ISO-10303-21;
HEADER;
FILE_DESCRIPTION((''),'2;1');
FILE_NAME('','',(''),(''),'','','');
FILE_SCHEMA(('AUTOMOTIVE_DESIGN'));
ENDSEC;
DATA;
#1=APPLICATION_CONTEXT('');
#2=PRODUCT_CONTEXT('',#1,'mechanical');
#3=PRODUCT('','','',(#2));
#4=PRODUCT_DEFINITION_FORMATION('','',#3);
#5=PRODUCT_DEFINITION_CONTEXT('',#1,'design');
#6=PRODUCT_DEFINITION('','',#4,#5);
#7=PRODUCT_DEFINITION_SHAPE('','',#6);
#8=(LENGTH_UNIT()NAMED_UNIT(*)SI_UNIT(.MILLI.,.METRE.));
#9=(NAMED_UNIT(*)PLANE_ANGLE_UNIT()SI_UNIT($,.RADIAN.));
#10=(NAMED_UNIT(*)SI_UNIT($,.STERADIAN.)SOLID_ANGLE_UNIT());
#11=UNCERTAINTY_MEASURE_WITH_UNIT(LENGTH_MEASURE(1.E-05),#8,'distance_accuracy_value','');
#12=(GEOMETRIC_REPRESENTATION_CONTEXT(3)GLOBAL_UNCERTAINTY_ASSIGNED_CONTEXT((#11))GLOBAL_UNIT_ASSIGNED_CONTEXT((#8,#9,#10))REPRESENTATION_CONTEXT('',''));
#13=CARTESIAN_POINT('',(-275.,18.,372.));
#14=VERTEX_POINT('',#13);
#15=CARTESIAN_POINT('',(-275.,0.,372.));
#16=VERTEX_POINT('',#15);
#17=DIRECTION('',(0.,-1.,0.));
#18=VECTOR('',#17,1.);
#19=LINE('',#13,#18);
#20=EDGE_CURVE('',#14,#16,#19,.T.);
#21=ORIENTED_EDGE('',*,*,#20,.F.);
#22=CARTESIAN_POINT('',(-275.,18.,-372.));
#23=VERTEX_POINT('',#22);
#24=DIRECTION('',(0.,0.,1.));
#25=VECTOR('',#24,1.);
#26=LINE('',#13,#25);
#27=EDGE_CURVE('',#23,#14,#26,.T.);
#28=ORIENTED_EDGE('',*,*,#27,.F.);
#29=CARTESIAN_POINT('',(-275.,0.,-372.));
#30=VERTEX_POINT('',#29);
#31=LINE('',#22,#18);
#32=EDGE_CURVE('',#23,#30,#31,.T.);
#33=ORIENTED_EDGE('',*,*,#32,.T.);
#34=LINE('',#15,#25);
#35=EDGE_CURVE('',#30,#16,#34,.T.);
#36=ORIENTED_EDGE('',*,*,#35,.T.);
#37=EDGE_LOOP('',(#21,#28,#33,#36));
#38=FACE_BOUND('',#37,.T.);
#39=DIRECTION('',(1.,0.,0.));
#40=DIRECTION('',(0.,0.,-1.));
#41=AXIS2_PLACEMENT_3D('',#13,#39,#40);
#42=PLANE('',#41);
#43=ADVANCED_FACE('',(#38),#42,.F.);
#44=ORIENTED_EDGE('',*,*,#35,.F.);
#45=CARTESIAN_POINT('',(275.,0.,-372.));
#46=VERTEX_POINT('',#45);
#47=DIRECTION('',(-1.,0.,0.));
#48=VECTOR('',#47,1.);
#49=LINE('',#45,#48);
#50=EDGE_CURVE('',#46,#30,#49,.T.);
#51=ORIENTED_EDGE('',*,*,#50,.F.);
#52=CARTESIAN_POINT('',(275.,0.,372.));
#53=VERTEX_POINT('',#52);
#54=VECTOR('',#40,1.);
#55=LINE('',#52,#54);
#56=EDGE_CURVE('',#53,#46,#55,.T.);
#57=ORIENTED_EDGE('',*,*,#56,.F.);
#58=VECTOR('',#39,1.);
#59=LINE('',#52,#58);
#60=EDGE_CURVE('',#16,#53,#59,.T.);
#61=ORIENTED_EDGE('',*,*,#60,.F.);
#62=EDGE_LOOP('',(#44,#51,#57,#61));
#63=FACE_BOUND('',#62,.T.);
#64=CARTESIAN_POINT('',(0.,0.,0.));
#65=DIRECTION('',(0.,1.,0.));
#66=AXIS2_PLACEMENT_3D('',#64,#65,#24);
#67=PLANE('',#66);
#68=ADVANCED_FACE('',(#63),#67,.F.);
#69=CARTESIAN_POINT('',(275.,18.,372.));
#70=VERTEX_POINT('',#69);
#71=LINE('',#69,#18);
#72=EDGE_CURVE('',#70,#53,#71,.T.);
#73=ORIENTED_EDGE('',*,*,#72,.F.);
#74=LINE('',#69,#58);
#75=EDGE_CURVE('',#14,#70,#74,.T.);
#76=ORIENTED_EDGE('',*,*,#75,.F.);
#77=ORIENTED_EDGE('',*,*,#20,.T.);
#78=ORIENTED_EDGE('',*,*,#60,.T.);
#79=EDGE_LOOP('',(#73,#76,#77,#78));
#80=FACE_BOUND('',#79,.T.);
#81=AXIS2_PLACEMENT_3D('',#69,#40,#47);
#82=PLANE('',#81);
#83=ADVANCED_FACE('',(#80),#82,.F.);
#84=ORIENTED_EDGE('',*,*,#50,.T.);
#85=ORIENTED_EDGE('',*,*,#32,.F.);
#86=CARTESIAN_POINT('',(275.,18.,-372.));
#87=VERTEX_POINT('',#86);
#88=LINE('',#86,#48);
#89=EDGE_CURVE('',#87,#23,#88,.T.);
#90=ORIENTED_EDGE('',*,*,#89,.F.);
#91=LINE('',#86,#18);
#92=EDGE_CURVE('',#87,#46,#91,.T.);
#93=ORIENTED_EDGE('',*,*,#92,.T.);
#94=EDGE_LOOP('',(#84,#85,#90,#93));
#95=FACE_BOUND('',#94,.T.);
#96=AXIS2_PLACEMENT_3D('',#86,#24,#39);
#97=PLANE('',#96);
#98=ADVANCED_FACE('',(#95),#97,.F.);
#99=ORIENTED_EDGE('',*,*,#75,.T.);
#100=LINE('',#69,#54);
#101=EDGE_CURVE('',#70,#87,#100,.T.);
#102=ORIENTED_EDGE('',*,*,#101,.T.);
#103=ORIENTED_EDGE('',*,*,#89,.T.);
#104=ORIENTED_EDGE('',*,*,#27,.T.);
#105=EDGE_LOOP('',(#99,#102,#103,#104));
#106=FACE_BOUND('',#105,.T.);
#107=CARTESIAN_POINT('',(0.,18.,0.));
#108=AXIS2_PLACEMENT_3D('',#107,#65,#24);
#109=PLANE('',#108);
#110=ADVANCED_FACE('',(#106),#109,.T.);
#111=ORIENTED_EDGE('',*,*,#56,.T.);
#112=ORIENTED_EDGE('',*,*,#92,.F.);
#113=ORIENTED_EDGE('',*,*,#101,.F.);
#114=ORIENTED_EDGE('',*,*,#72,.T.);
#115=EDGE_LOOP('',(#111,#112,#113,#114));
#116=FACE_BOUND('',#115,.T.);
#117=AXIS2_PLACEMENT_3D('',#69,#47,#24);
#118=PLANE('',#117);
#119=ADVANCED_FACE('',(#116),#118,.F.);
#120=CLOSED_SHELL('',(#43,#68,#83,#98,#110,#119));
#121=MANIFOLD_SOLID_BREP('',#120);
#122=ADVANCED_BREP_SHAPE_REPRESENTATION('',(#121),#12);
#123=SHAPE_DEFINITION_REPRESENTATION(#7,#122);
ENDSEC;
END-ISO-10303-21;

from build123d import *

# Parameters (mm, degrees)
SKETCH_1_W      = 550
SKETCH_1_H      = 744
EXTRUDE_1_DEPTH = 18


with BuildPart() as part:
    # Эскиз1 → Бобышка-Вытянуть1 (new body)
    with BuildSketch(Plane(origin=(0, 0, 0), x_dir=(1, 0, 0), z_dir=(0, 1, 0))):
        Rectangle(SKETCH_1_W, SKETCH_1_H)
    extrude(amount=EXTRUDE_1_DEPTH)


solid = part.part
